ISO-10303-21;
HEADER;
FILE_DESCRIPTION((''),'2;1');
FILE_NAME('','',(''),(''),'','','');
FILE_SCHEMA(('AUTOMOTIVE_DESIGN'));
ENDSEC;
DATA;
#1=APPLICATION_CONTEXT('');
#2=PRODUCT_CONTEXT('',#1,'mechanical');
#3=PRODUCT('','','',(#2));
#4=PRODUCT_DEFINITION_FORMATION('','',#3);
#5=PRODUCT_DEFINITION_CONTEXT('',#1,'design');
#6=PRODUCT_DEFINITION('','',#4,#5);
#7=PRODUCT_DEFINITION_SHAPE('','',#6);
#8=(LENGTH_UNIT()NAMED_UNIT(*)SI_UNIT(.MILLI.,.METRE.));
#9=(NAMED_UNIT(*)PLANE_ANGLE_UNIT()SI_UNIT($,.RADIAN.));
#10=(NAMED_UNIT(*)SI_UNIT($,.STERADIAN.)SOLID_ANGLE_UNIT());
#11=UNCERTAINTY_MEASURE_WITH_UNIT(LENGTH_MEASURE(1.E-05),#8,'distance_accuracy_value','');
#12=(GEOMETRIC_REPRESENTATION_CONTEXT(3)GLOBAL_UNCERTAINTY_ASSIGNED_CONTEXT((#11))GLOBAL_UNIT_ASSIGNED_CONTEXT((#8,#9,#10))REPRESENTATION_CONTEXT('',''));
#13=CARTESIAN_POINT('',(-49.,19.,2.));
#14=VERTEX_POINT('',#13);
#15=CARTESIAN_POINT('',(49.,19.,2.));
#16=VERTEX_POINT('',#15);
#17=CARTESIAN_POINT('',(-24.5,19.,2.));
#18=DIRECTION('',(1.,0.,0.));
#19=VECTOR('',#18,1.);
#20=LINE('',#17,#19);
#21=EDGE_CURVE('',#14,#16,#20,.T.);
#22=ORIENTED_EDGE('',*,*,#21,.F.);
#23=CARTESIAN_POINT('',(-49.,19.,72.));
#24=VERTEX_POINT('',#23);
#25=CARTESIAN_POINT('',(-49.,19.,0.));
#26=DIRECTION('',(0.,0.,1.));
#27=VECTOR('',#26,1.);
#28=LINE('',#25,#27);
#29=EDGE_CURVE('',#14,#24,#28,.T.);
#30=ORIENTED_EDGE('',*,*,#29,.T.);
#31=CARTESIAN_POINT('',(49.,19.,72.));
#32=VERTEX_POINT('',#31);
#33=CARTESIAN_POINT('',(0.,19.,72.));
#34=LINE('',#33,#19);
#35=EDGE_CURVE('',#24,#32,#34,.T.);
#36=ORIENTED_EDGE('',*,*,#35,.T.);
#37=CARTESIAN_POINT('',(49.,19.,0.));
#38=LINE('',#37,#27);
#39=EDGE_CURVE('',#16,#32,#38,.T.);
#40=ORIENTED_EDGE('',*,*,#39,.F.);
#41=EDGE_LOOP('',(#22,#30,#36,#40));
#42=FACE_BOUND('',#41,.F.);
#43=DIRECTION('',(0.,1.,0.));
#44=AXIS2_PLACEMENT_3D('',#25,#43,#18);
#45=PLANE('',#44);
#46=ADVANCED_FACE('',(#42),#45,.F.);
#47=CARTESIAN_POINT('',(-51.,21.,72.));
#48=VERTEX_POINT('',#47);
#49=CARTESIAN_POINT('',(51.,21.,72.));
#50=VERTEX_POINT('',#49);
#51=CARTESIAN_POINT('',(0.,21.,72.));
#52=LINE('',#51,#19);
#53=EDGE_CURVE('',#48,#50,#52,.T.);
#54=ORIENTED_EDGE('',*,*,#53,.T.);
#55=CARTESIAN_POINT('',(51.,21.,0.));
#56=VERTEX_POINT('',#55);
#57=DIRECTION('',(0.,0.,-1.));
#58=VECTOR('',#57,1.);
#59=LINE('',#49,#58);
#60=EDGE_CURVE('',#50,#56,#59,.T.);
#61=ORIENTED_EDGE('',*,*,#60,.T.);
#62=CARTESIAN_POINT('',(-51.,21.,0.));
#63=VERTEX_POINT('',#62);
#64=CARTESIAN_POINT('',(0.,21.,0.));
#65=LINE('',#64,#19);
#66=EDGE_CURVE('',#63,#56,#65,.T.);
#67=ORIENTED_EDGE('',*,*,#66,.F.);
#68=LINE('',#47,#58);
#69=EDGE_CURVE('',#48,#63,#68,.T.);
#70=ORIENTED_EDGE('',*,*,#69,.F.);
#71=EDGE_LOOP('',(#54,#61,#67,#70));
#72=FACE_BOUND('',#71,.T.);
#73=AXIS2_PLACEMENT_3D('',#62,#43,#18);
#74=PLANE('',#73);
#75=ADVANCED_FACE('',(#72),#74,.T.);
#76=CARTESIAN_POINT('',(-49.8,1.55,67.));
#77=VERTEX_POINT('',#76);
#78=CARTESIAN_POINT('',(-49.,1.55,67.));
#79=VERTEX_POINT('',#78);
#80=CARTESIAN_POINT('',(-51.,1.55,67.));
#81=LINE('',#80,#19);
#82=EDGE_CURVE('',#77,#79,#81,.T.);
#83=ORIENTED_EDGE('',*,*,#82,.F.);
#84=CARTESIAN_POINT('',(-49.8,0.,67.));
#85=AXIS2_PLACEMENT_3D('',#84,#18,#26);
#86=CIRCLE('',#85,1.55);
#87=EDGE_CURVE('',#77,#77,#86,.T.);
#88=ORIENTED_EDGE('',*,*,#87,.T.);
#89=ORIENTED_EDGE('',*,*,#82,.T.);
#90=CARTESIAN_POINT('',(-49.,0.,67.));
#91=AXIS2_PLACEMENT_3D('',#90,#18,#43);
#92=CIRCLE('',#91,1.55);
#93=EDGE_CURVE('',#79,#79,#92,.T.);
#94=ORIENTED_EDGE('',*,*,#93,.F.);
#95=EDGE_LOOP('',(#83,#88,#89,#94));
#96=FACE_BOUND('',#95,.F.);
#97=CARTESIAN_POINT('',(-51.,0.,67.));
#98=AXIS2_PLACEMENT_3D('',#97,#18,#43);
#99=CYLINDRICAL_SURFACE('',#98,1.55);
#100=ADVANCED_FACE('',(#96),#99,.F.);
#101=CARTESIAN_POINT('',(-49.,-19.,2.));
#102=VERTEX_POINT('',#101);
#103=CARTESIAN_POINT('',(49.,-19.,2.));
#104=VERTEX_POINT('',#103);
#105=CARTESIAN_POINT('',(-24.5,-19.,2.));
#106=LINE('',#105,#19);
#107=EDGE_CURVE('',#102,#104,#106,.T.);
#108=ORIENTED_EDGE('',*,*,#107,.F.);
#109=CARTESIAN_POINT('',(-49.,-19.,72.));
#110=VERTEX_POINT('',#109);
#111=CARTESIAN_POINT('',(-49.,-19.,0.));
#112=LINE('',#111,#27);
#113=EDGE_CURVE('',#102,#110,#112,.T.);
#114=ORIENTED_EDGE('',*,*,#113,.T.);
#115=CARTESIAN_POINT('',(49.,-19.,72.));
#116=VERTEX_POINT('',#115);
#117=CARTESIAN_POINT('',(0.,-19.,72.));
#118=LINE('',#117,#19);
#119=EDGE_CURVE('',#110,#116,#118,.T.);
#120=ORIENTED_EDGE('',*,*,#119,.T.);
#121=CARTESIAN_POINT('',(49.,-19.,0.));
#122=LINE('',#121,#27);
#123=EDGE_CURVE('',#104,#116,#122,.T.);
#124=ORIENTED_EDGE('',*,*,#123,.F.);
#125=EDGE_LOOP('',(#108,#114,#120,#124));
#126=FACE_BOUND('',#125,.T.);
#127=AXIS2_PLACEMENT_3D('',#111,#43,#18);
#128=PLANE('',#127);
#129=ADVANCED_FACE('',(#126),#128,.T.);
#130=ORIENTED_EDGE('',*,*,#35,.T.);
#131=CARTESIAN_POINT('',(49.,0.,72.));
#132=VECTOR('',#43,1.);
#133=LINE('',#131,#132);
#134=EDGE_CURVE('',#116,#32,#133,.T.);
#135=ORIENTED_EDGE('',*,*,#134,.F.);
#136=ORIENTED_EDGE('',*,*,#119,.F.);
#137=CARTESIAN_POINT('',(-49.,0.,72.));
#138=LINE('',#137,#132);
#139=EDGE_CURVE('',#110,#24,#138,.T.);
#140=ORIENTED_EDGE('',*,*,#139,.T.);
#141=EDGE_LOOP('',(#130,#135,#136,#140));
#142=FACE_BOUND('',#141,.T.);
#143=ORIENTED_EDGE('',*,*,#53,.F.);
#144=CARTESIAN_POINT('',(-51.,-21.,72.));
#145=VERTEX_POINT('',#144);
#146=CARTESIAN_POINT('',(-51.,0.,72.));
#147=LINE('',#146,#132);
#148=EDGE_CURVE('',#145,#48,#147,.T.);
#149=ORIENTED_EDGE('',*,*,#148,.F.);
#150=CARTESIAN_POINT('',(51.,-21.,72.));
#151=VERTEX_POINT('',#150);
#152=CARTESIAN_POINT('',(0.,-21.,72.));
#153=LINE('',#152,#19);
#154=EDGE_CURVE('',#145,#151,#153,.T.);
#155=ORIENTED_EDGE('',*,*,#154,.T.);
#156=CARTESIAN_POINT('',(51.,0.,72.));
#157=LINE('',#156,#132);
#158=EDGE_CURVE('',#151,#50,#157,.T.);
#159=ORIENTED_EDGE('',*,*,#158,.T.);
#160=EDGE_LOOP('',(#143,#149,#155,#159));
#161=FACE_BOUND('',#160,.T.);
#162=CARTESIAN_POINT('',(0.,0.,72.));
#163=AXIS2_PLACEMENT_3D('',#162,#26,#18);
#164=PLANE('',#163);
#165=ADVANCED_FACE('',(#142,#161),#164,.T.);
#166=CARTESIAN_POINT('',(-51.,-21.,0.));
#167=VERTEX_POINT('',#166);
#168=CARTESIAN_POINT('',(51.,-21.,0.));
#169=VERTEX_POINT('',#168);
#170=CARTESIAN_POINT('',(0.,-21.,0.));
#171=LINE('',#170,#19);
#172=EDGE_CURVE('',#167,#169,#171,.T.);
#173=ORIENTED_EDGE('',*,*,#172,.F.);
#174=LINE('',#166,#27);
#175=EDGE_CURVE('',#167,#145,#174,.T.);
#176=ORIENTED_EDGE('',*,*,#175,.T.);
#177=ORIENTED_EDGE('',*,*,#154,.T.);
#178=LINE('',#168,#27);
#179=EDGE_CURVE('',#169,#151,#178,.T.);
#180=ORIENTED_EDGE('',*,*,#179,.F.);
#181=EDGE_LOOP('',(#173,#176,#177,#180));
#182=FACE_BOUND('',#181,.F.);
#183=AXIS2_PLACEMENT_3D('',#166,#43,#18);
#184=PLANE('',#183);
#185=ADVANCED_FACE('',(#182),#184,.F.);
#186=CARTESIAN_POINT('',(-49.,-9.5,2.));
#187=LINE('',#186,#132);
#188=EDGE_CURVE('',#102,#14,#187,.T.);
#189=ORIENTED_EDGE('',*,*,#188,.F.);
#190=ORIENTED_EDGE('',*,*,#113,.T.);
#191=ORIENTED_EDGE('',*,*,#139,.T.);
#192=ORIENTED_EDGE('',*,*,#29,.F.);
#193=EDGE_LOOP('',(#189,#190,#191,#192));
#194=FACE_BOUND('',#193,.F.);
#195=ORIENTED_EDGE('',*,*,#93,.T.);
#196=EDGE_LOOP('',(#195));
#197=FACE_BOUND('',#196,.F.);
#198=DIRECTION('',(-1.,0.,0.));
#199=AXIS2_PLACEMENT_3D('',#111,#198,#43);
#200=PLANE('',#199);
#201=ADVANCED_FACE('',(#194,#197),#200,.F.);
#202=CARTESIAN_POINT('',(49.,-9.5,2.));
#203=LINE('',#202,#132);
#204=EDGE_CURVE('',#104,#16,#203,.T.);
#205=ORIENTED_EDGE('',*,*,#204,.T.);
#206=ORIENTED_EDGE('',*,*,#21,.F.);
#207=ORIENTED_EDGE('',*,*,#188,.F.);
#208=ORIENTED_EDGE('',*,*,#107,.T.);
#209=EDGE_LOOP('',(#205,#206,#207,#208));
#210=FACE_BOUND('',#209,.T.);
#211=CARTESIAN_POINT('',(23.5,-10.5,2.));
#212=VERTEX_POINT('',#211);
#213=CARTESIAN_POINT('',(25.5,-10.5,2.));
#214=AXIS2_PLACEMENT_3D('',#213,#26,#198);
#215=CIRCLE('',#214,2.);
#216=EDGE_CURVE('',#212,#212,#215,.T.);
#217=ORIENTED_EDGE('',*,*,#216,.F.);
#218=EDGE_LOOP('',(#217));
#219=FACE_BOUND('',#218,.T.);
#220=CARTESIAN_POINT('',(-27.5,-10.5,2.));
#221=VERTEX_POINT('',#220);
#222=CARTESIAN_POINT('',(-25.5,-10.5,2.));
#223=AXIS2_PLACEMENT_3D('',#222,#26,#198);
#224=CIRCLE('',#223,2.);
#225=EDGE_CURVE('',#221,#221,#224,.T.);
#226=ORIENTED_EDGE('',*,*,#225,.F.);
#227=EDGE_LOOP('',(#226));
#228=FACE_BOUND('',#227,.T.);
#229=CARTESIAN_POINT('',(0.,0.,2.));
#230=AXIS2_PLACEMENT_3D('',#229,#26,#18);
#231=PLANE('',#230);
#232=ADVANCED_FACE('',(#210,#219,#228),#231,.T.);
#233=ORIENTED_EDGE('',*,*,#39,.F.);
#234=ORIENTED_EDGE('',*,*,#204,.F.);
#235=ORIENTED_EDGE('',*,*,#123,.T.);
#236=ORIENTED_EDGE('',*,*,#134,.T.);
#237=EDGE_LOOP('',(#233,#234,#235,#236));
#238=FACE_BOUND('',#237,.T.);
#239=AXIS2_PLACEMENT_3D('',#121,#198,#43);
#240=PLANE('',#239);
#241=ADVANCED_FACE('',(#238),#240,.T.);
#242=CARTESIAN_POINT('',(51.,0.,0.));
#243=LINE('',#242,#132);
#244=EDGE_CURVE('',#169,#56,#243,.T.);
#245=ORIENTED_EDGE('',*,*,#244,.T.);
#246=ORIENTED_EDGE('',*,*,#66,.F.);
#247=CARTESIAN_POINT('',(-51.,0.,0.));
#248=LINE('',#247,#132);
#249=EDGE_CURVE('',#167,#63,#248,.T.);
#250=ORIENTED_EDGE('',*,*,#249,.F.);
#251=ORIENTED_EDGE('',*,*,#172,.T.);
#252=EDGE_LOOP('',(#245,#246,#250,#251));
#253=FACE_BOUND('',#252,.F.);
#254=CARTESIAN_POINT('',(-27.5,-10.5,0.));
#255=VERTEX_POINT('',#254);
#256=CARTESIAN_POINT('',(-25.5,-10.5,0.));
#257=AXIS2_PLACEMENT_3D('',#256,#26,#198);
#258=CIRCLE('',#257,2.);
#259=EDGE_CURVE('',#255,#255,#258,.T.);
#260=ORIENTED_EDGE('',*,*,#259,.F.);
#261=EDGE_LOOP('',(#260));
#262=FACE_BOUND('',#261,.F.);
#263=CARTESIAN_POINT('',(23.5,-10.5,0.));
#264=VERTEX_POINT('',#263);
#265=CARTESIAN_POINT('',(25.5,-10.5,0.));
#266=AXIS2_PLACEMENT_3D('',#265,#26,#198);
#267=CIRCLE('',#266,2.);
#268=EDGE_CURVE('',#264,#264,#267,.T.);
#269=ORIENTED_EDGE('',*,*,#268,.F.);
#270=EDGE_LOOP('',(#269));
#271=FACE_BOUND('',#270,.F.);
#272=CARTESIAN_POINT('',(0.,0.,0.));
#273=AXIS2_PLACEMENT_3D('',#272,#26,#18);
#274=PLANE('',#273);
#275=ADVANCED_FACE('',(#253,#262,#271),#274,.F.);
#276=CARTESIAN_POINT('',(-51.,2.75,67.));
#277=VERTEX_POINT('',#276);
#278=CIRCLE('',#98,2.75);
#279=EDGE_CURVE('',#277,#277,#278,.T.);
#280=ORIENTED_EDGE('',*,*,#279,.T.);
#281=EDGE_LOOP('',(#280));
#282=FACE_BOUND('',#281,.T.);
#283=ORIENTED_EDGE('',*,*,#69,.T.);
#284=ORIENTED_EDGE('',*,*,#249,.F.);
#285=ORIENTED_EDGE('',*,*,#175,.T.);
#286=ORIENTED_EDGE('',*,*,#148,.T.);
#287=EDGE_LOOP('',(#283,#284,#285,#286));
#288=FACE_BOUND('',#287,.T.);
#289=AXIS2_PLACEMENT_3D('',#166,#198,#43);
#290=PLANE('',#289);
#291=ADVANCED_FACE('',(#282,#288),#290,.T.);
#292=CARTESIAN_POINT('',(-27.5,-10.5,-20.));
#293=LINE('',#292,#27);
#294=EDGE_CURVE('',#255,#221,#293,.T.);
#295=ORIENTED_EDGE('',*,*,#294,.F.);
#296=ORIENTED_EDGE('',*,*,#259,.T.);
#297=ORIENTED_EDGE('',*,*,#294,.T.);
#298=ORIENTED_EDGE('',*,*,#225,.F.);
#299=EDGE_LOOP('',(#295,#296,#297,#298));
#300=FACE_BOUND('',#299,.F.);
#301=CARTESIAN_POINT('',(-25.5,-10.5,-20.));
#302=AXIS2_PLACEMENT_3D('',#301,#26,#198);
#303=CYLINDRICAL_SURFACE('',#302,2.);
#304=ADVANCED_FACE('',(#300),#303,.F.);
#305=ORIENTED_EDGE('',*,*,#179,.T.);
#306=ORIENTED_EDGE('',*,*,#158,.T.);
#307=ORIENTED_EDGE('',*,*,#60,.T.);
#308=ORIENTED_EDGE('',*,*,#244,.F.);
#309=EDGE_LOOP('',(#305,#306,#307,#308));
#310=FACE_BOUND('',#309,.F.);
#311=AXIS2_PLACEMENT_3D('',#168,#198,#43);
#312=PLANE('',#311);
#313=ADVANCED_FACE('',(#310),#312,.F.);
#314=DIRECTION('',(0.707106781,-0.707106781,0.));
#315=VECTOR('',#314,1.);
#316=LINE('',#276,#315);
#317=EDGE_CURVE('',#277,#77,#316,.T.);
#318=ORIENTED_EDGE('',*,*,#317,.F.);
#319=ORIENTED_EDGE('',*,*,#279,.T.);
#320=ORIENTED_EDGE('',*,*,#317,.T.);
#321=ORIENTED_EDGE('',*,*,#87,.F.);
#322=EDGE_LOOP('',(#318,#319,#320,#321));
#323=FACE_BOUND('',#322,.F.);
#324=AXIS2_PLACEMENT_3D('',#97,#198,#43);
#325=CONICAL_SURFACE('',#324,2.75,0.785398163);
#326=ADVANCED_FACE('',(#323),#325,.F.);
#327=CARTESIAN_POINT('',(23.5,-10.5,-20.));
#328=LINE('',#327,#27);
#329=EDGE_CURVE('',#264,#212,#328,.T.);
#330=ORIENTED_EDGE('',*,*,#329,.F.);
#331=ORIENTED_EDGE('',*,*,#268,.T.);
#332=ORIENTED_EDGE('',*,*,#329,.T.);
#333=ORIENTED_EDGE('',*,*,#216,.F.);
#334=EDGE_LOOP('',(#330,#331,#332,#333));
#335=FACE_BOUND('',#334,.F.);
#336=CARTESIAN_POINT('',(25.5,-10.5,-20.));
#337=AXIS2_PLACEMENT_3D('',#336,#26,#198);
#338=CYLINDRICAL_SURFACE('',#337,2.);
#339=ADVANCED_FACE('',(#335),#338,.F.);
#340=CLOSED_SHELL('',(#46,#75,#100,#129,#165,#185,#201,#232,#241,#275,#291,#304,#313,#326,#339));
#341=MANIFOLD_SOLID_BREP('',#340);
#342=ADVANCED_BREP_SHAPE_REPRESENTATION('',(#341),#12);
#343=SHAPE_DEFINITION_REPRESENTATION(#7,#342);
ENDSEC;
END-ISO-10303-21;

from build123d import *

# Parameters (mm, degrees)
F1_W           = 102
F1_H           = 42
F1_W_2         = 98
F1_H_2         = 38
F2_DEPTH       = 72
F3_R           = 8.1966630734
F4_DEPTH       = 25
F6_D           = 3.1
F6_DEPTH       = 20
F6_CSINK_D     = 5.5
F6_CSINK_ANGLE = 90
F6_TIP         = 0.9313339595
F7_W           = 102
F7_H           = 42
F8_DEPTH       = 2
F10_D          = 4
F10_DEPTH      = 20
F10_TIP        = 1.2017212381


with BuildPart() as f2:
    # F1 (on Top) → F2 (new body)
    with BuildSketch(Plane.XY):
        Rectangle(F1_W, F1_H)
        Rectangle(F1_W_2, F1_H_2, mode=Mode.SUBTRACT)
    extrude(amount=F2_DEPTH)

    # F3 (on face) → F4 (cut)
    with BuildSketch(Plane(origin=(0, 0, 0), x_dir=(1, 0, 0), z_dir=(0, 0, -1))):
        Circle(F3_R)
    extrude(amount=-F4_DEPTH, mode=Mode.SUBTRACT)

    # F6
    with Locations(Plane(origin=(-51, 0, 0), x_dir=(0, -1, 0), z_dir=(-1, 0, 0))):
        with Locations((0, 67)):
            CounterSinkHole(F6_D / 2, F6_CSINK_D / 2, depth=F6_DEPTH, counter_sink_angle=F6_CSINK_ANGLE)
            with Locations((0, 0, -(F6_DEPTH + F6_TIP / 2))):  # 118° drill point
                Cone(0, F6_D / 2, F6_TIP, mode=Mode.SUBTRACT)

    # F7 (on Top) → F8 (join)
    with BuildSketch(Plane.XY):
        Rectangle(F7_W, F7_H)
    extrude(amount=F8_DEPTH)

    # F10
    with Locations(Plane(origin=(0, 0, 0), x_dir=(1, 0, 0), z_dir=(0, 0, -1))):
        with Locations((25.5, 10.5), (-25.5, 10.5)):
            Hole(F10_D / 2, depth=F10_DEPTH)
            with Locations((0, 0, -(F10_DEPTH + F10_TIP / 2))):  # 118° drill point
                Cone(0, F10_D / 2, F10_TIP, mode=Mode.SUBTRACT)


solid = f2.part
